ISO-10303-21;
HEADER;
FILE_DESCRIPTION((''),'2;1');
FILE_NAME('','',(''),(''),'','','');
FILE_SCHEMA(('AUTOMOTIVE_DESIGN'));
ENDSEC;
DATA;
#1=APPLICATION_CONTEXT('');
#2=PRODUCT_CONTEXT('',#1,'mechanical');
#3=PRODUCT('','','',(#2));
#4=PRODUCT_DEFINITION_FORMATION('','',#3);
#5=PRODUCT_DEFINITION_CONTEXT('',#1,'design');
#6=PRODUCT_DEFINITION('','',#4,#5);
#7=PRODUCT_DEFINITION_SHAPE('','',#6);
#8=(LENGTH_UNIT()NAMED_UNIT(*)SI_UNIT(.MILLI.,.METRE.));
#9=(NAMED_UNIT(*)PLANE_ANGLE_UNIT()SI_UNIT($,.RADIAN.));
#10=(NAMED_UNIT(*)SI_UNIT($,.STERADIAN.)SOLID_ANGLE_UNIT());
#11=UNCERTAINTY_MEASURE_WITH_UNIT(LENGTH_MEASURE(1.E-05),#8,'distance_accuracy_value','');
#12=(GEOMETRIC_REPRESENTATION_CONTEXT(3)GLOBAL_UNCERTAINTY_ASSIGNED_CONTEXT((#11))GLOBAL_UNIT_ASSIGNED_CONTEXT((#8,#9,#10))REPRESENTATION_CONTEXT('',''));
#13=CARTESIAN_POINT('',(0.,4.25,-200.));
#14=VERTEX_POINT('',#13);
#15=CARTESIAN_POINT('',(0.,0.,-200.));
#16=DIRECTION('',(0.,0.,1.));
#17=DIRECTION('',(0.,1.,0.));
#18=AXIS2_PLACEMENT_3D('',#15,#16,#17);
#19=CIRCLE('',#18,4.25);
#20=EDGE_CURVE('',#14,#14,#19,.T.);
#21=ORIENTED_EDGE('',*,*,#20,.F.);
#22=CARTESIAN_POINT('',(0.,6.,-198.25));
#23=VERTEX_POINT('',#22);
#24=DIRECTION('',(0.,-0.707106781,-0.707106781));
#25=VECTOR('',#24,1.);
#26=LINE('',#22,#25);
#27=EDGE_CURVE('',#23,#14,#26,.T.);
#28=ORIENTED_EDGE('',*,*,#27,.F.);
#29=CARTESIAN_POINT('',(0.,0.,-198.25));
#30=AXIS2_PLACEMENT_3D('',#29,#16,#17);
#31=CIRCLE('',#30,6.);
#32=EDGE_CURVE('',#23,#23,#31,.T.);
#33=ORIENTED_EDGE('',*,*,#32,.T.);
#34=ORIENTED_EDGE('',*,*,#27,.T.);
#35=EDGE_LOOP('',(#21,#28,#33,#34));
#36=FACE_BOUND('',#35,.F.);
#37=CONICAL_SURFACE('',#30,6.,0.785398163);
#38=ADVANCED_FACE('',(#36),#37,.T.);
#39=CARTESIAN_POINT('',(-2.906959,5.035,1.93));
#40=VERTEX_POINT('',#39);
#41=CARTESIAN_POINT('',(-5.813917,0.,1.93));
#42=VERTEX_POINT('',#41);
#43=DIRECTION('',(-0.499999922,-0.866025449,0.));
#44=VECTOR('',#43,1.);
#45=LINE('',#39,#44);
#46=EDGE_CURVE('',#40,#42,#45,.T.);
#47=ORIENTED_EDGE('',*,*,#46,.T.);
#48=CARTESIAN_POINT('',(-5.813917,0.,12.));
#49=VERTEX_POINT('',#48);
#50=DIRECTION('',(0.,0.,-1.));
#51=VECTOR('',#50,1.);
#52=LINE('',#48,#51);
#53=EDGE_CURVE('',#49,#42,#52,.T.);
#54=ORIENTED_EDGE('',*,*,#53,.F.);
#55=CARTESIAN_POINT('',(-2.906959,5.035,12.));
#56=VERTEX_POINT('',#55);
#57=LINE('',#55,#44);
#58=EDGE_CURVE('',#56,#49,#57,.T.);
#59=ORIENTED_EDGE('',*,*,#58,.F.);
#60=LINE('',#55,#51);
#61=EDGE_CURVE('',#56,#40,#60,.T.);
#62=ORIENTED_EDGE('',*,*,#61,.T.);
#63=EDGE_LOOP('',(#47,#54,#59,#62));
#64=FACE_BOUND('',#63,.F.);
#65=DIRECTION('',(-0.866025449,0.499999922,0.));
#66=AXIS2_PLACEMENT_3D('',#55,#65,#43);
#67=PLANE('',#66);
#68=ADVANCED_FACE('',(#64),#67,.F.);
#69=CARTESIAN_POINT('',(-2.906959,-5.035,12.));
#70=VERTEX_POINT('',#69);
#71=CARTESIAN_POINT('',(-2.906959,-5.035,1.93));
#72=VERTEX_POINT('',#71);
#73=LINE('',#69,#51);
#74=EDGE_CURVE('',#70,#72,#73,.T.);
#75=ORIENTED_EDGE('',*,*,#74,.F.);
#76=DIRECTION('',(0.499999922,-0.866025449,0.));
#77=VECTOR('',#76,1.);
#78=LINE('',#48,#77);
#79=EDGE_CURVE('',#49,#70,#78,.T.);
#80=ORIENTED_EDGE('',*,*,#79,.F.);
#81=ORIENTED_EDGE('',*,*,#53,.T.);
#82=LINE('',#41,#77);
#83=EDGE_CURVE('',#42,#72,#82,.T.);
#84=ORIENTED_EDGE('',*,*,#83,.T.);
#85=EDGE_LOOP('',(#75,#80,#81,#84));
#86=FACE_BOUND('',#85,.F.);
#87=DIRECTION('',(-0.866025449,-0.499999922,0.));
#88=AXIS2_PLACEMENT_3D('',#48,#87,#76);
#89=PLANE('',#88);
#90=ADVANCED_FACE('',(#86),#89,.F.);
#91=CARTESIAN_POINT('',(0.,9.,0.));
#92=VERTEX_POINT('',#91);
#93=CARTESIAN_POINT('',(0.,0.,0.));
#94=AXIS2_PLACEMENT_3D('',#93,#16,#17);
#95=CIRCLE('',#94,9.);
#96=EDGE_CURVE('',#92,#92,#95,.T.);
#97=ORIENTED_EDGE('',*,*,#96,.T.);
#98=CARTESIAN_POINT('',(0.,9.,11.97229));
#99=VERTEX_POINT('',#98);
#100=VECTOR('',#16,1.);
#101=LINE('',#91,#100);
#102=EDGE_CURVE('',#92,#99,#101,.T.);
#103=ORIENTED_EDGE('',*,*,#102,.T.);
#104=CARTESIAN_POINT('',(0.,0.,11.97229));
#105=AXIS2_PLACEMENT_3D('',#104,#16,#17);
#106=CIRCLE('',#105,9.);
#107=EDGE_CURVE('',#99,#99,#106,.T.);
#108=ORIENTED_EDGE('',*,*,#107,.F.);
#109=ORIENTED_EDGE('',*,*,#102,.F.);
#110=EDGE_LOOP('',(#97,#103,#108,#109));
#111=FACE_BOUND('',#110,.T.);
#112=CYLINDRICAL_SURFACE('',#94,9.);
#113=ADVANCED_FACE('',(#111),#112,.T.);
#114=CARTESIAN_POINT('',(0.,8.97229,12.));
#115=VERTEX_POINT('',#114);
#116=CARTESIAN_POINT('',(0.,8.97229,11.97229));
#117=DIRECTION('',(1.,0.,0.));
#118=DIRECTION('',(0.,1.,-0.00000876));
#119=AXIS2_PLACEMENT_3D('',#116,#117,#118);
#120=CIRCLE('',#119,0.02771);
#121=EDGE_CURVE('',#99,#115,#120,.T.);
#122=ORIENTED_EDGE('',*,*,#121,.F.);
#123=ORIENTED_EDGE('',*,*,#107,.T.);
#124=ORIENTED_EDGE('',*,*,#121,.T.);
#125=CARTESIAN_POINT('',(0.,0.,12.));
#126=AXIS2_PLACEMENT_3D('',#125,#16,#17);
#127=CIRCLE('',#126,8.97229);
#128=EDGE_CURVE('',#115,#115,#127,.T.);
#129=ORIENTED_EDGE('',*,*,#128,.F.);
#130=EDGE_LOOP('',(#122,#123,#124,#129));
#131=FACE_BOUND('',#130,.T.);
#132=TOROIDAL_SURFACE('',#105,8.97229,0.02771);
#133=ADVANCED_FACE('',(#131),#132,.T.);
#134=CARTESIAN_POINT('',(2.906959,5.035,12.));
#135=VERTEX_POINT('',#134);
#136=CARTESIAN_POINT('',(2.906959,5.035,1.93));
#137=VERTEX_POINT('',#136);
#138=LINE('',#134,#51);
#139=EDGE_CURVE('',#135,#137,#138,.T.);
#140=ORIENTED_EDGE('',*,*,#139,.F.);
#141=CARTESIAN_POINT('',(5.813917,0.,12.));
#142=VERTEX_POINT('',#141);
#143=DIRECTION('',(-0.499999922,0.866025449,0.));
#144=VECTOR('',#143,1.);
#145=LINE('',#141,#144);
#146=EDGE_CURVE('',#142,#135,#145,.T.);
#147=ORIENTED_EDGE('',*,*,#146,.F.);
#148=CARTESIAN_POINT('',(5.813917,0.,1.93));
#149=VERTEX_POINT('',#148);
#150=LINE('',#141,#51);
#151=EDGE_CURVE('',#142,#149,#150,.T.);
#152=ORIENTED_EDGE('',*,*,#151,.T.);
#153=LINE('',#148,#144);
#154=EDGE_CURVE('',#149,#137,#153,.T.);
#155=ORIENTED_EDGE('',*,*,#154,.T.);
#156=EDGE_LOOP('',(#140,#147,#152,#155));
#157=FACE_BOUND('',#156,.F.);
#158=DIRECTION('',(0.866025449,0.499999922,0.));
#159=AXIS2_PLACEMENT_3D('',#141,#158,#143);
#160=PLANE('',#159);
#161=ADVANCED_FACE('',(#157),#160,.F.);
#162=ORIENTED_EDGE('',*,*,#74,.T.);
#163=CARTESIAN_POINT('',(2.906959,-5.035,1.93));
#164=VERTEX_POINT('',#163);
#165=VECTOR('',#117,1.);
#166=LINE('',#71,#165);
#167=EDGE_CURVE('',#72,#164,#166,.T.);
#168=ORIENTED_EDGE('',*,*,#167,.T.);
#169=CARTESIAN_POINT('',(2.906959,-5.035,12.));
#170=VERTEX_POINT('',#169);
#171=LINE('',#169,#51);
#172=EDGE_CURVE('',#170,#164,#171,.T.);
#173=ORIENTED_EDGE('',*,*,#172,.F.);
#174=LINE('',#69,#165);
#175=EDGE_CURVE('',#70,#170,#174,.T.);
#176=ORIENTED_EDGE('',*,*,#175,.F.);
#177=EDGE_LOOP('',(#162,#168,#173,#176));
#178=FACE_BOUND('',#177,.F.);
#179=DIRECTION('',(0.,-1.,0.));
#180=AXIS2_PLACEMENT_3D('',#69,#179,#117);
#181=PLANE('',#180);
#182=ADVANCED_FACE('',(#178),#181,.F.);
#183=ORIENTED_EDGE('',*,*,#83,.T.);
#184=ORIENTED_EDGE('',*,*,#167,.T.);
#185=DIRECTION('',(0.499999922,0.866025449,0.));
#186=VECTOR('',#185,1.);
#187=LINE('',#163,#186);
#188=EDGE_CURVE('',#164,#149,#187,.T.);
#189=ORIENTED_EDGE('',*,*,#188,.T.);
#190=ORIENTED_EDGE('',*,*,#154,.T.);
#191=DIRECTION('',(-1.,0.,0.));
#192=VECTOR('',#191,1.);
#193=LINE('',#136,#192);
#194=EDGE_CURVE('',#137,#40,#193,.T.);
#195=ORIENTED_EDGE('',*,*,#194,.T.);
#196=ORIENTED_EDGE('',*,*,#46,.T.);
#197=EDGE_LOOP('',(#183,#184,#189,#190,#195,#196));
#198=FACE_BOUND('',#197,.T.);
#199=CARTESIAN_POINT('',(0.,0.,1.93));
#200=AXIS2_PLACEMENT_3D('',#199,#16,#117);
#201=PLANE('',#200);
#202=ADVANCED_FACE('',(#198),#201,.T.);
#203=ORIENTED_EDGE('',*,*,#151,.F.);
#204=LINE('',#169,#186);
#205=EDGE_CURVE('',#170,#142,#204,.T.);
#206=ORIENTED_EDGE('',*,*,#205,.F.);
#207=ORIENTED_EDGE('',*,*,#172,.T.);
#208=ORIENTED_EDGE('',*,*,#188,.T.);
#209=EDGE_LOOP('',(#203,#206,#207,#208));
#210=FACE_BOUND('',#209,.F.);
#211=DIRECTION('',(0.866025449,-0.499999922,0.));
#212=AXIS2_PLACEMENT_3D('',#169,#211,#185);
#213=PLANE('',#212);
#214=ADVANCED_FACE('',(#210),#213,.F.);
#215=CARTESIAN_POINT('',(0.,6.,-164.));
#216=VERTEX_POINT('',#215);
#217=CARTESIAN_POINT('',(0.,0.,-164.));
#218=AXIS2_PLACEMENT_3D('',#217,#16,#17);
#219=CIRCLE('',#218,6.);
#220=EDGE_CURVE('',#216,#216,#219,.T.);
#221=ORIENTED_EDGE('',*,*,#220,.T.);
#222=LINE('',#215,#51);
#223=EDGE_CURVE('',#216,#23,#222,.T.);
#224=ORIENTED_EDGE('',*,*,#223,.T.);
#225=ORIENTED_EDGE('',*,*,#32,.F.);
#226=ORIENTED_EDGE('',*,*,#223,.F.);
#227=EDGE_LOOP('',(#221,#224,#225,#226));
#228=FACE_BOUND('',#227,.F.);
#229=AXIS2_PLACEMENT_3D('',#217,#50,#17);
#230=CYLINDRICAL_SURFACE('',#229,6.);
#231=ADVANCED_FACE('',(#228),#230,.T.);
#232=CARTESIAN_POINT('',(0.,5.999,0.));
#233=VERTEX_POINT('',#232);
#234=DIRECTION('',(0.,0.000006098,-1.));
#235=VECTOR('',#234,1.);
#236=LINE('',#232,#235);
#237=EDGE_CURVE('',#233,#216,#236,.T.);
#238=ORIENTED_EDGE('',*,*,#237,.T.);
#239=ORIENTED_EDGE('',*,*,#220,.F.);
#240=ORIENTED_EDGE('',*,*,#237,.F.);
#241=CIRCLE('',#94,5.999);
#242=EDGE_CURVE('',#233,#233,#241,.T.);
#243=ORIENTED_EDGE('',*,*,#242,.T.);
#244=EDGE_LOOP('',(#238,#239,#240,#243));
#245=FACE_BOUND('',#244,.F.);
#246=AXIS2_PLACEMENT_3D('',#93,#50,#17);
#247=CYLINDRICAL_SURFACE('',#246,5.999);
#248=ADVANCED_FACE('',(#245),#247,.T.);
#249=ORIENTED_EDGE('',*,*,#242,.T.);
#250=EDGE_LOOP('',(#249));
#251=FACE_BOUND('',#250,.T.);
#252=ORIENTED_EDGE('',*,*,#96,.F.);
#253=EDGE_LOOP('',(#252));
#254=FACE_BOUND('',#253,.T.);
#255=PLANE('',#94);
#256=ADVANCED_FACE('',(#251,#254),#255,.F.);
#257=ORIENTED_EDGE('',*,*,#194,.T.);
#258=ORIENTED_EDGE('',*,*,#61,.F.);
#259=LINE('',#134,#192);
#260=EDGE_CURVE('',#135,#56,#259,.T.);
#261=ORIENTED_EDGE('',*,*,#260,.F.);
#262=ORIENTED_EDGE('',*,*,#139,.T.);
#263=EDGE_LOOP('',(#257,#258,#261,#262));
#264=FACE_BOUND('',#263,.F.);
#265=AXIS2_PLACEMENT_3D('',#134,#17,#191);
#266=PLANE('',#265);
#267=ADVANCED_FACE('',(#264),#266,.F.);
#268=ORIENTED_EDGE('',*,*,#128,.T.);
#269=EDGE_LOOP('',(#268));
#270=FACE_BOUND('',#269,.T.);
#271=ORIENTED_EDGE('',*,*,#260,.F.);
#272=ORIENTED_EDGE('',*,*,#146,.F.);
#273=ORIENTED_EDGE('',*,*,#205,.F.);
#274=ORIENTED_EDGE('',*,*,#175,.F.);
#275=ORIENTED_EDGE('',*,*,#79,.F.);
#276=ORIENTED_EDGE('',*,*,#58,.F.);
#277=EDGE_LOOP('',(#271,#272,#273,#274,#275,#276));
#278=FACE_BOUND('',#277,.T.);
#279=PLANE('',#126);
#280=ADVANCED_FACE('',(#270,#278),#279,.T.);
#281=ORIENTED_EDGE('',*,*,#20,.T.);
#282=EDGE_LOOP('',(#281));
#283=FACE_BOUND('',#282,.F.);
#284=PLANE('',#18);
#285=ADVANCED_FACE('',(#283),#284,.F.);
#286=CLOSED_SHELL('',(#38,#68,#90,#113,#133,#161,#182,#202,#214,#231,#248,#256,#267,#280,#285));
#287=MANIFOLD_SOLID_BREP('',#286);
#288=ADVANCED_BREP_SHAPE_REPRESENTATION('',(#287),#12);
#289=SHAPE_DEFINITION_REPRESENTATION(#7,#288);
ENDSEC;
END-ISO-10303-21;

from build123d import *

# Parameters (mm, degrees)
POCKET_DEPTH = 10.07


with BuildPart() as part:
    # Sketch → Revolve (revolve)
    with BuildSketch(Plane.YZ):
        with BuildLine():
            Line((5.999, 0), (9, 0))
            Line((9, 0), (9, 11.97229))
            ThreePointArc((9, 11.97229), (8.991884, 11.991884), (8.97229, 12))
            Line((8.97229, 12), (0, 12))
            Line((0, -200), (0, 12))
            Line((4.25, -200), (0, -200))
            Line((6, -198.25), (4.25, -200))
            Line((6, -164), (6, -198.25))
            Line((5.999, 0), (6, -164))
        make_face()
    revolve(axis=Axis((0, 0, 0), (0, 0, 1)))

    # Sketch001 → Pocket (cut)
    with BuildSketch(Plane.XY.offset(12)):
        Polygon((5.813917, 0), (2.906959, 5.035), (-2.906959, 5.035), (-5.813917, 0), (-2.906959, -5.035), (2.906959, -5.035), align=None)
    extrude(amount=-POCKET_DEPTH, mode=Mode.SUBTRACT)


solid = part.part
